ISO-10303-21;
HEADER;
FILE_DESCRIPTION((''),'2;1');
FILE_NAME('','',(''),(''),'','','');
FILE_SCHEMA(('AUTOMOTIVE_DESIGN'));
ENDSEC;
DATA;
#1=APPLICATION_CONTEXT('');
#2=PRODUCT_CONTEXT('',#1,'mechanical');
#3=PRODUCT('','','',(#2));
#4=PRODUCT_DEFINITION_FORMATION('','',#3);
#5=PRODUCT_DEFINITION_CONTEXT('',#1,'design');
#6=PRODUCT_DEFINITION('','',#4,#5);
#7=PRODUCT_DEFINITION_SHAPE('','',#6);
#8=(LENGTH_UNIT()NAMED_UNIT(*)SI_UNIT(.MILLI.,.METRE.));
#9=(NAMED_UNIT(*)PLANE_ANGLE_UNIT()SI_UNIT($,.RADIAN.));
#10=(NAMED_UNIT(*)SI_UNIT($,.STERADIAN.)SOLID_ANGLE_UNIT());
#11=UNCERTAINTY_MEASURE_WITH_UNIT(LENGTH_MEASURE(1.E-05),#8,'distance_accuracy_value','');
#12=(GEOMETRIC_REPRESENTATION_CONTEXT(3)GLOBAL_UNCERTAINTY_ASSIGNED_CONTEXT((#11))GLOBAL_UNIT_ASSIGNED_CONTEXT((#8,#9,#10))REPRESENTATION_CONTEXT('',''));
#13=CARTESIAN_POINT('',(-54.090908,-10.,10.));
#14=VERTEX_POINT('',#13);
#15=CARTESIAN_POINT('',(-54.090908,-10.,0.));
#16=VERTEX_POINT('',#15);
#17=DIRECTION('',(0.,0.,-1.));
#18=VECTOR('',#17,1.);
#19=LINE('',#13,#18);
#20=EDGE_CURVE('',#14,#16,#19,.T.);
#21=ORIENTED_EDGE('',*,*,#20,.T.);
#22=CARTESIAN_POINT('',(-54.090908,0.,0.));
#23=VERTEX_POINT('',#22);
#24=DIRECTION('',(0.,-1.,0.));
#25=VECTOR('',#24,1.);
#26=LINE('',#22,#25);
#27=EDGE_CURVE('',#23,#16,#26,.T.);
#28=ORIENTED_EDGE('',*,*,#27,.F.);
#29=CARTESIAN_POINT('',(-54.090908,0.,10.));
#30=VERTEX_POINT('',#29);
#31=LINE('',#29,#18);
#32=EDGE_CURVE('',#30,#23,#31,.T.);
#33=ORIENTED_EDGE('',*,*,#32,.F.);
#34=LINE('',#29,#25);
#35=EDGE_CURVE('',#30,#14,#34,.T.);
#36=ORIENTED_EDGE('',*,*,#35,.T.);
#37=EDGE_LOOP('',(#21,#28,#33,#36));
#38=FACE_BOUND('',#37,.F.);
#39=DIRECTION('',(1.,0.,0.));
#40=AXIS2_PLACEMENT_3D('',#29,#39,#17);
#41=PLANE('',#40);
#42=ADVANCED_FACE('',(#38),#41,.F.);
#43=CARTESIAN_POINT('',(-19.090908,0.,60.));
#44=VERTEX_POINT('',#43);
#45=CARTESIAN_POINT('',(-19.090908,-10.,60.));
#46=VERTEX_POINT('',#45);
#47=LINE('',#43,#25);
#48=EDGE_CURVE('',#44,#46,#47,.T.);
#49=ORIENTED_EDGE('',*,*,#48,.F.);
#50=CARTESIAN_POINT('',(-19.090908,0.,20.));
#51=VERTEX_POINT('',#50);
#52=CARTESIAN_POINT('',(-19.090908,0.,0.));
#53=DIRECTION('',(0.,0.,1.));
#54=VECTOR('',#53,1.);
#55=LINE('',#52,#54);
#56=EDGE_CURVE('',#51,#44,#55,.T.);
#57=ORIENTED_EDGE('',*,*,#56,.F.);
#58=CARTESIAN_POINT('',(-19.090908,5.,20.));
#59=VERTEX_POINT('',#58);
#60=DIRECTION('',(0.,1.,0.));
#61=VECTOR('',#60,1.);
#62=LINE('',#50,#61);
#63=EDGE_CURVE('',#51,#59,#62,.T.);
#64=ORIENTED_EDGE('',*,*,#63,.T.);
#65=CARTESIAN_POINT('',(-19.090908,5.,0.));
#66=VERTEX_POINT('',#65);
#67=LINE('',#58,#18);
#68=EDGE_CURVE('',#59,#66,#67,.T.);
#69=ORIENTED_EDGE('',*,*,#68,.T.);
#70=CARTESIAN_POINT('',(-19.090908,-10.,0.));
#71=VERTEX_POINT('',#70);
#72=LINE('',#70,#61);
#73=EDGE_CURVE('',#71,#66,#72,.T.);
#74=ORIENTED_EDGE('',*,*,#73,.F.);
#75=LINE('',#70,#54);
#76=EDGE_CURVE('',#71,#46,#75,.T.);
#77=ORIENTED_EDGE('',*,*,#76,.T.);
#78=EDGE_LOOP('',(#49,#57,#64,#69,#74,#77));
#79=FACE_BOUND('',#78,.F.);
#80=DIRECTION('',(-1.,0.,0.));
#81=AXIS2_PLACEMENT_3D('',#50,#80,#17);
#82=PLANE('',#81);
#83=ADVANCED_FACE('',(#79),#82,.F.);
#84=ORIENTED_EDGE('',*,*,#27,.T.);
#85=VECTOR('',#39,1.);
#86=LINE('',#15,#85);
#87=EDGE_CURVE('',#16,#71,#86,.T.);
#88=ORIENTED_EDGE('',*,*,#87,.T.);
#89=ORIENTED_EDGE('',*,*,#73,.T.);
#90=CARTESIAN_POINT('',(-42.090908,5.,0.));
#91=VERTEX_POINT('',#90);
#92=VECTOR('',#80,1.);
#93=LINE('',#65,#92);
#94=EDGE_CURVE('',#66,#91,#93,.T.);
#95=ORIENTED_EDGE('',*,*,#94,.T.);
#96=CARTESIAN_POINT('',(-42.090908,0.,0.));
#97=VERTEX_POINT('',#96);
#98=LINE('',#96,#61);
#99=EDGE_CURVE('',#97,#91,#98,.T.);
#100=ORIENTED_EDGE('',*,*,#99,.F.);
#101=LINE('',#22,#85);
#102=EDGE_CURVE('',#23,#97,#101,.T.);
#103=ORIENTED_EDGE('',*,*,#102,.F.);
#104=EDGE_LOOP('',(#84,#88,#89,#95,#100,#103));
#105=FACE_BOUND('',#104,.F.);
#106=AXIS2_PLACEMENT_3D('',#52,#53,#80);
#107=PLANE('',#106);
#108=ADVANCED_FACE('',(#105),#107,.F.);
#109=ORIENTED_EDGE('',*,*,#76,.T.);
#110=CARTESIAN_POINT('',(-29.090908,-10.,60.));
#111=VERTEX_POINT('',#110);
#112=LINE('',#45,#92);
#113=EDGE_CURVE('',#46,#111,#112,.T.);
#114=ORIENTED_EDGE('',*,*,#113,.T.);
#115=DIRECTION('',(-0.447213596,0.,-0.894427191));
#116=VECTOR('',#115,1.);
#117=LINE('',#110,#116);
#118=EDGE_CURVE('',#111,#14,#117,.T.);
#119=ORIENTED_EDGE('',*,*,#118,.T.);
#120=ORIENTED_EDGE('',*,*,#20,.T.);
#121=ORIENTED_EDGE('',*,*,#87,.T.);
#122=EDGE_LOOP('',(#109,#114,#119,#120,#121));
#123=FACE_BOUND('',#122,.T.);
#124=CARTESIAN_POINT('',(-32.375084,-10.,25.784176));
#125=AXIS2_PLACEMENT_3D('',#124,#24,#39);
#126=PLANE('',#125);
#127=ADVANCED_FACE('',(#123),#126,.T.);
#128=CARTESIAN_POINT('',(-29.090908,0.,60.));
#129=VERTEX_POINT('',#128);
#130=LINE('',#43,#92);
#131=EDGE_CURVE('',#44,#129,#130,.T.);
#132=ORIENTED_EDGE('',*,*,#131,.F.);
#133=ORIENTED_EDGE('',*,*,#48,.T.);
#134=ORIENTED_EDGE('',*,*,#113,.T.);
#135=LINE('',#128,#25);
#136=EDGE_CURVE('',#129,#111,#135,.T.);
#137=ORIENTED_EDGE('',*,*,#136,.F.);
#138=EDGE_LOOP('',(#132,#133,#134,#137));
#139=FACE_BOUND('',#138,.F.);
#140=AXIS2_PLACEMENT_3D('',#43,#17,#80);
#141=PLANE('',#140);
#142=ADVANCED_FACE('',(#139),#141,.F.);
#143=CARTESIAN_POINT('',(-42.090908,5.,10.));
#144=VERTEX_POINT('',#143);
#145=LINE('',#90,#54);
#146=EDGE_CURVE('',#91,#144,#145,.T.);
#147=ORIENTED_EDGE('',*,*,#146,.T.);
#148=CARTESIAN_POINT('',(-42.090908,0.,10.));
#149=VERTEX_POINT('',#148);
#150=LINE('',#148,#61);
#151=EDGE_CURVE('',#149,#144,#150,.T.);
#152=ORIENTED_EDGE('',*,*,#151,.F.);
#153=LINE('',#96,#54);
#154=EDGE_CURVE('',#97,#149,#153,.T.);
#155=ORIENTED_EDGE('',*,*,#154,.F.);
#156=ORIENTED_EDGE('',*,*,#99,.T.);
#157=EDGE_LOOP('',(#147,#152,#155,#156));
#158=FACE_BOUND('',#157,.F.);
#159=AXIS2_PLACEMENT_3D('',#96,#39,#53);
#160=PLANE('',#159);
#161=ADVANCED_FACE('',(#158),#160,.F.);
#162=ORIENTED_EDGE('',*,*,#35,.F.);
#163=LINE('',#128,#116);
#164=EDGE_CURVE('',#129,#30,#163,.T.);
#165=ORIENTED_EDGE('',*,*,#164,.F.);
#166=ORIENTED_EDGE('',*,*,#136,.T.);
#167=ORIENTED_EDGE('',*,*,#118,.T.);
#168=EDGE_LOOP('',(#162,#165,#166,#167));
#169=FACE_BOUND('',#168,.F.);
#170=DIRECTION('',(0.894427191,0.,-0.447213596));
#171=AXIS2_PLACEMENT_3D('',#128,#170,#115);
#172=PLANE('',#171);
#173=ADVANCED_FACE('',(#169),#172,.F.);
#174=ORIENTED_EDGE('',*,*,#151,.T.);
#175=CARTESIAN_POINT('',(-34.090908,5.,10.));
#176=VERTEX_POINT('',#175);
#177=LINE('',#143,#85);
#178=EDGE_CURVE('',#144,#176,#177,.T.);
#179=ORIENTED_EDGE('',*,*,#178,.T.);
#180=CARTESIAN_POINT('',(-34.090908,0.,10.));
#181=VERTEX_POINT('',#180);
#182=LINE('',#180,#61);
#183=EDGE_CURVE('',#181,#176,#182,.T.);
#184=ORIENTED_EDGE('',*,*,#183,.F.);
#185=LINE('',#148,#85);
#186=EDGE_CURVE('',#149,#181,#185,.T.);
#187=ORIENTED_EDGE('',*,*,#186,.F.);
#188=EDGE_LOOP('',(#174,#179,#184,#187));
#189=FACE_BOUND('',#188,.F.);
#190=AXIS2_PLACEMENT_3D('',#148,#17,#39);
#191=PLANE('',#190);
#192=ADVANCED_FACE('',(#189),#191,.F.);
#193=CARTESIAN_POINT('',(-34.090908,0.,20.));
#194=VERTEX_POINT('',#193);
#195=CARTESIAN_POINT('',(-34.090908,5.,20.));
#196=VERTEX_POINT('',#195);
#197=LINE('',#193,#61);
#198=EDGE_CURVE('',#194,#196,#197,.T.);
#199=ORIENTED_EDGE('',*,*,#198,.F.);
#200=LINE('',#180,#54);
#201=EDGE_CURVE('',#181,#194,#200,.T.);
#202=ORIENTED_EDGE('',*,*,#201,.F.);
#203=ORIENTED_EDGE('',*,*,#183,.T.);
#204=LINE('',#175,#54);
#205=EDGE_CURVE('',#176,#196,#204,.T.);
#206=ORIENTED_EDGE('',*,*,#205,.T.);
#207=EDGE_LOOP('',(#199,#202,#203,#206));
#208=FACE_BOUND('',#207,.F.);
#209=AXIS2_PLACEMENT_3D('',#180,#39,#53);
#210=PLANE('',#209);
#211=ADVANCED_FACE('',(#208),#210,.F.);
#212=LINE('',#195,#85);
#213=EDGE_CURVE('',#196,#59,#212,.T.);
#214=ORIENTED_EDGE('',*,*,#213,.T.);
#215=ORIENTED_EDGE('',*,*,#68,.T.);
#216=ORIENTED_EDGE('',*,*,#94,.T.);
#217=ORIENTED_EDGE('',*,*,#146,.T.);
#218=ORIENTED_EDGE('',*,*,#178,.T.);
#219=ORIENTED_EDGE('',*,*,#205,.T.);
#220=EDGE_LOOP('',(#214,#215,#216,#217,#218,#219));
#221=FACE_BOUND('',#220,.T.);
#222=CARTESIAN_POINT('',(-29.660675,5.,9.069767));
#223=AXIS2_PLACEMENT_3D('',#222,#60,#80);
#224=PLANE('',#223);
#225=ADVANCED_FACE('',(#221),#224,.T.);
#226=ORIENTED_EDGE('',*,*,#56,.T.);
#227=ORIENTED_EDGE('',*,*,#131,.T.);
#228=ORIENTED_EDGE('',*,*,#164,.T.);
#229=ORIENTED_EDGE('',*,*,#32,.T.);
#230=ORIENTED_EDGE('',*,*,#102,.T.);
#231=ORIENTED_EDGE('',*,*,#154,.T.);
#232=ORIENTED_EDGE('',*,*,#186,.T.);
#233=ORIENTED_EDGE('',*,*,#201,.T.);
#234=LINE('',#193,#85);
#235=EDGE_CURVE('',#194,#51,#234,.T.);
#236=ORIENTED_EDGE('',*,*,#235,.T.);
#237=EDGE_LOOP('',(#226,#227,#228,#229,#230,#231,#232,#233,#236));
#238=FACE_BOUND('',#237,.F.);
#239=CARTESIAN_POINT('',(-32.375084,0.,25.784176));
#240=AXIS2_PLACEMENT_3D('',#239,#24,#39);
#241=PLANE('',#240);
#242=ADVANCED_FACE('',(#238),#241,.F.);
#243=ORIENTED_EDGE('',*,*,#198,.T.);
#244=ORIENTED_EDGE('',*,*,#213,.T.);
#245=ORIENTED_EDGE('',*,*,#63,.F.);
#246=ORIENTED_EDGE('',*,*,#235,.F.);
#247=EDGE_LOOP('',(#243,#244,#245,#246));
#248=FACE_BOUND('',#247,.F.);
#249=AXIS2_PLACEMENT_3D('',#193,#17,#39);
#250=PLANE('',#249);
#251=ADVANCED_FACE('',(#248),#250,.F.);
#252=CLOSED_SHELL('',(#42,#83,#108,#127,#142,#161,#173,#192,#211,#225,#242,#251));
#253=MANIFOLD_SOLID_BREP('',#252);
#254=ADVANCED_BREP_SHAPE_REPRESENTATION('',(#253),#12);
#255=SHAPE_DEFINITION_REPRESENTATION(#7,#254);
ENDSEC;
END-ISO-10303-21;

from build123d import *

# Parameters (mm, degrees)
F1_DEPTH = 10
F3_DEPTH = 5


with BuildPart() as f1:
    # F0 (on Front) → F1 (new body)
    with BuildSketch(Plane.XZ):
        Polygon((-54.090908, 0), (-19.090908, 0), (-19.090908, 60), (-29.090908, 60), (-54.090908, 10), align=None)
    extrude(amount=F1_DEPTH)

    # F2 (on face) → F3 (join)
    with BuildSketch(Plane(origin=(0, 0, 0), x_dir=(-1, 0, 0), z_dir=(0, 1, 0))):
        Polygon((34.090908, 20), (19.090908, 20), (19.090908, 0), (42.090908, 0), (42.090908, 10), (34.090908, 10), align=None)
    extrude(amount=F3_DEPTH)


solid = f1.part
